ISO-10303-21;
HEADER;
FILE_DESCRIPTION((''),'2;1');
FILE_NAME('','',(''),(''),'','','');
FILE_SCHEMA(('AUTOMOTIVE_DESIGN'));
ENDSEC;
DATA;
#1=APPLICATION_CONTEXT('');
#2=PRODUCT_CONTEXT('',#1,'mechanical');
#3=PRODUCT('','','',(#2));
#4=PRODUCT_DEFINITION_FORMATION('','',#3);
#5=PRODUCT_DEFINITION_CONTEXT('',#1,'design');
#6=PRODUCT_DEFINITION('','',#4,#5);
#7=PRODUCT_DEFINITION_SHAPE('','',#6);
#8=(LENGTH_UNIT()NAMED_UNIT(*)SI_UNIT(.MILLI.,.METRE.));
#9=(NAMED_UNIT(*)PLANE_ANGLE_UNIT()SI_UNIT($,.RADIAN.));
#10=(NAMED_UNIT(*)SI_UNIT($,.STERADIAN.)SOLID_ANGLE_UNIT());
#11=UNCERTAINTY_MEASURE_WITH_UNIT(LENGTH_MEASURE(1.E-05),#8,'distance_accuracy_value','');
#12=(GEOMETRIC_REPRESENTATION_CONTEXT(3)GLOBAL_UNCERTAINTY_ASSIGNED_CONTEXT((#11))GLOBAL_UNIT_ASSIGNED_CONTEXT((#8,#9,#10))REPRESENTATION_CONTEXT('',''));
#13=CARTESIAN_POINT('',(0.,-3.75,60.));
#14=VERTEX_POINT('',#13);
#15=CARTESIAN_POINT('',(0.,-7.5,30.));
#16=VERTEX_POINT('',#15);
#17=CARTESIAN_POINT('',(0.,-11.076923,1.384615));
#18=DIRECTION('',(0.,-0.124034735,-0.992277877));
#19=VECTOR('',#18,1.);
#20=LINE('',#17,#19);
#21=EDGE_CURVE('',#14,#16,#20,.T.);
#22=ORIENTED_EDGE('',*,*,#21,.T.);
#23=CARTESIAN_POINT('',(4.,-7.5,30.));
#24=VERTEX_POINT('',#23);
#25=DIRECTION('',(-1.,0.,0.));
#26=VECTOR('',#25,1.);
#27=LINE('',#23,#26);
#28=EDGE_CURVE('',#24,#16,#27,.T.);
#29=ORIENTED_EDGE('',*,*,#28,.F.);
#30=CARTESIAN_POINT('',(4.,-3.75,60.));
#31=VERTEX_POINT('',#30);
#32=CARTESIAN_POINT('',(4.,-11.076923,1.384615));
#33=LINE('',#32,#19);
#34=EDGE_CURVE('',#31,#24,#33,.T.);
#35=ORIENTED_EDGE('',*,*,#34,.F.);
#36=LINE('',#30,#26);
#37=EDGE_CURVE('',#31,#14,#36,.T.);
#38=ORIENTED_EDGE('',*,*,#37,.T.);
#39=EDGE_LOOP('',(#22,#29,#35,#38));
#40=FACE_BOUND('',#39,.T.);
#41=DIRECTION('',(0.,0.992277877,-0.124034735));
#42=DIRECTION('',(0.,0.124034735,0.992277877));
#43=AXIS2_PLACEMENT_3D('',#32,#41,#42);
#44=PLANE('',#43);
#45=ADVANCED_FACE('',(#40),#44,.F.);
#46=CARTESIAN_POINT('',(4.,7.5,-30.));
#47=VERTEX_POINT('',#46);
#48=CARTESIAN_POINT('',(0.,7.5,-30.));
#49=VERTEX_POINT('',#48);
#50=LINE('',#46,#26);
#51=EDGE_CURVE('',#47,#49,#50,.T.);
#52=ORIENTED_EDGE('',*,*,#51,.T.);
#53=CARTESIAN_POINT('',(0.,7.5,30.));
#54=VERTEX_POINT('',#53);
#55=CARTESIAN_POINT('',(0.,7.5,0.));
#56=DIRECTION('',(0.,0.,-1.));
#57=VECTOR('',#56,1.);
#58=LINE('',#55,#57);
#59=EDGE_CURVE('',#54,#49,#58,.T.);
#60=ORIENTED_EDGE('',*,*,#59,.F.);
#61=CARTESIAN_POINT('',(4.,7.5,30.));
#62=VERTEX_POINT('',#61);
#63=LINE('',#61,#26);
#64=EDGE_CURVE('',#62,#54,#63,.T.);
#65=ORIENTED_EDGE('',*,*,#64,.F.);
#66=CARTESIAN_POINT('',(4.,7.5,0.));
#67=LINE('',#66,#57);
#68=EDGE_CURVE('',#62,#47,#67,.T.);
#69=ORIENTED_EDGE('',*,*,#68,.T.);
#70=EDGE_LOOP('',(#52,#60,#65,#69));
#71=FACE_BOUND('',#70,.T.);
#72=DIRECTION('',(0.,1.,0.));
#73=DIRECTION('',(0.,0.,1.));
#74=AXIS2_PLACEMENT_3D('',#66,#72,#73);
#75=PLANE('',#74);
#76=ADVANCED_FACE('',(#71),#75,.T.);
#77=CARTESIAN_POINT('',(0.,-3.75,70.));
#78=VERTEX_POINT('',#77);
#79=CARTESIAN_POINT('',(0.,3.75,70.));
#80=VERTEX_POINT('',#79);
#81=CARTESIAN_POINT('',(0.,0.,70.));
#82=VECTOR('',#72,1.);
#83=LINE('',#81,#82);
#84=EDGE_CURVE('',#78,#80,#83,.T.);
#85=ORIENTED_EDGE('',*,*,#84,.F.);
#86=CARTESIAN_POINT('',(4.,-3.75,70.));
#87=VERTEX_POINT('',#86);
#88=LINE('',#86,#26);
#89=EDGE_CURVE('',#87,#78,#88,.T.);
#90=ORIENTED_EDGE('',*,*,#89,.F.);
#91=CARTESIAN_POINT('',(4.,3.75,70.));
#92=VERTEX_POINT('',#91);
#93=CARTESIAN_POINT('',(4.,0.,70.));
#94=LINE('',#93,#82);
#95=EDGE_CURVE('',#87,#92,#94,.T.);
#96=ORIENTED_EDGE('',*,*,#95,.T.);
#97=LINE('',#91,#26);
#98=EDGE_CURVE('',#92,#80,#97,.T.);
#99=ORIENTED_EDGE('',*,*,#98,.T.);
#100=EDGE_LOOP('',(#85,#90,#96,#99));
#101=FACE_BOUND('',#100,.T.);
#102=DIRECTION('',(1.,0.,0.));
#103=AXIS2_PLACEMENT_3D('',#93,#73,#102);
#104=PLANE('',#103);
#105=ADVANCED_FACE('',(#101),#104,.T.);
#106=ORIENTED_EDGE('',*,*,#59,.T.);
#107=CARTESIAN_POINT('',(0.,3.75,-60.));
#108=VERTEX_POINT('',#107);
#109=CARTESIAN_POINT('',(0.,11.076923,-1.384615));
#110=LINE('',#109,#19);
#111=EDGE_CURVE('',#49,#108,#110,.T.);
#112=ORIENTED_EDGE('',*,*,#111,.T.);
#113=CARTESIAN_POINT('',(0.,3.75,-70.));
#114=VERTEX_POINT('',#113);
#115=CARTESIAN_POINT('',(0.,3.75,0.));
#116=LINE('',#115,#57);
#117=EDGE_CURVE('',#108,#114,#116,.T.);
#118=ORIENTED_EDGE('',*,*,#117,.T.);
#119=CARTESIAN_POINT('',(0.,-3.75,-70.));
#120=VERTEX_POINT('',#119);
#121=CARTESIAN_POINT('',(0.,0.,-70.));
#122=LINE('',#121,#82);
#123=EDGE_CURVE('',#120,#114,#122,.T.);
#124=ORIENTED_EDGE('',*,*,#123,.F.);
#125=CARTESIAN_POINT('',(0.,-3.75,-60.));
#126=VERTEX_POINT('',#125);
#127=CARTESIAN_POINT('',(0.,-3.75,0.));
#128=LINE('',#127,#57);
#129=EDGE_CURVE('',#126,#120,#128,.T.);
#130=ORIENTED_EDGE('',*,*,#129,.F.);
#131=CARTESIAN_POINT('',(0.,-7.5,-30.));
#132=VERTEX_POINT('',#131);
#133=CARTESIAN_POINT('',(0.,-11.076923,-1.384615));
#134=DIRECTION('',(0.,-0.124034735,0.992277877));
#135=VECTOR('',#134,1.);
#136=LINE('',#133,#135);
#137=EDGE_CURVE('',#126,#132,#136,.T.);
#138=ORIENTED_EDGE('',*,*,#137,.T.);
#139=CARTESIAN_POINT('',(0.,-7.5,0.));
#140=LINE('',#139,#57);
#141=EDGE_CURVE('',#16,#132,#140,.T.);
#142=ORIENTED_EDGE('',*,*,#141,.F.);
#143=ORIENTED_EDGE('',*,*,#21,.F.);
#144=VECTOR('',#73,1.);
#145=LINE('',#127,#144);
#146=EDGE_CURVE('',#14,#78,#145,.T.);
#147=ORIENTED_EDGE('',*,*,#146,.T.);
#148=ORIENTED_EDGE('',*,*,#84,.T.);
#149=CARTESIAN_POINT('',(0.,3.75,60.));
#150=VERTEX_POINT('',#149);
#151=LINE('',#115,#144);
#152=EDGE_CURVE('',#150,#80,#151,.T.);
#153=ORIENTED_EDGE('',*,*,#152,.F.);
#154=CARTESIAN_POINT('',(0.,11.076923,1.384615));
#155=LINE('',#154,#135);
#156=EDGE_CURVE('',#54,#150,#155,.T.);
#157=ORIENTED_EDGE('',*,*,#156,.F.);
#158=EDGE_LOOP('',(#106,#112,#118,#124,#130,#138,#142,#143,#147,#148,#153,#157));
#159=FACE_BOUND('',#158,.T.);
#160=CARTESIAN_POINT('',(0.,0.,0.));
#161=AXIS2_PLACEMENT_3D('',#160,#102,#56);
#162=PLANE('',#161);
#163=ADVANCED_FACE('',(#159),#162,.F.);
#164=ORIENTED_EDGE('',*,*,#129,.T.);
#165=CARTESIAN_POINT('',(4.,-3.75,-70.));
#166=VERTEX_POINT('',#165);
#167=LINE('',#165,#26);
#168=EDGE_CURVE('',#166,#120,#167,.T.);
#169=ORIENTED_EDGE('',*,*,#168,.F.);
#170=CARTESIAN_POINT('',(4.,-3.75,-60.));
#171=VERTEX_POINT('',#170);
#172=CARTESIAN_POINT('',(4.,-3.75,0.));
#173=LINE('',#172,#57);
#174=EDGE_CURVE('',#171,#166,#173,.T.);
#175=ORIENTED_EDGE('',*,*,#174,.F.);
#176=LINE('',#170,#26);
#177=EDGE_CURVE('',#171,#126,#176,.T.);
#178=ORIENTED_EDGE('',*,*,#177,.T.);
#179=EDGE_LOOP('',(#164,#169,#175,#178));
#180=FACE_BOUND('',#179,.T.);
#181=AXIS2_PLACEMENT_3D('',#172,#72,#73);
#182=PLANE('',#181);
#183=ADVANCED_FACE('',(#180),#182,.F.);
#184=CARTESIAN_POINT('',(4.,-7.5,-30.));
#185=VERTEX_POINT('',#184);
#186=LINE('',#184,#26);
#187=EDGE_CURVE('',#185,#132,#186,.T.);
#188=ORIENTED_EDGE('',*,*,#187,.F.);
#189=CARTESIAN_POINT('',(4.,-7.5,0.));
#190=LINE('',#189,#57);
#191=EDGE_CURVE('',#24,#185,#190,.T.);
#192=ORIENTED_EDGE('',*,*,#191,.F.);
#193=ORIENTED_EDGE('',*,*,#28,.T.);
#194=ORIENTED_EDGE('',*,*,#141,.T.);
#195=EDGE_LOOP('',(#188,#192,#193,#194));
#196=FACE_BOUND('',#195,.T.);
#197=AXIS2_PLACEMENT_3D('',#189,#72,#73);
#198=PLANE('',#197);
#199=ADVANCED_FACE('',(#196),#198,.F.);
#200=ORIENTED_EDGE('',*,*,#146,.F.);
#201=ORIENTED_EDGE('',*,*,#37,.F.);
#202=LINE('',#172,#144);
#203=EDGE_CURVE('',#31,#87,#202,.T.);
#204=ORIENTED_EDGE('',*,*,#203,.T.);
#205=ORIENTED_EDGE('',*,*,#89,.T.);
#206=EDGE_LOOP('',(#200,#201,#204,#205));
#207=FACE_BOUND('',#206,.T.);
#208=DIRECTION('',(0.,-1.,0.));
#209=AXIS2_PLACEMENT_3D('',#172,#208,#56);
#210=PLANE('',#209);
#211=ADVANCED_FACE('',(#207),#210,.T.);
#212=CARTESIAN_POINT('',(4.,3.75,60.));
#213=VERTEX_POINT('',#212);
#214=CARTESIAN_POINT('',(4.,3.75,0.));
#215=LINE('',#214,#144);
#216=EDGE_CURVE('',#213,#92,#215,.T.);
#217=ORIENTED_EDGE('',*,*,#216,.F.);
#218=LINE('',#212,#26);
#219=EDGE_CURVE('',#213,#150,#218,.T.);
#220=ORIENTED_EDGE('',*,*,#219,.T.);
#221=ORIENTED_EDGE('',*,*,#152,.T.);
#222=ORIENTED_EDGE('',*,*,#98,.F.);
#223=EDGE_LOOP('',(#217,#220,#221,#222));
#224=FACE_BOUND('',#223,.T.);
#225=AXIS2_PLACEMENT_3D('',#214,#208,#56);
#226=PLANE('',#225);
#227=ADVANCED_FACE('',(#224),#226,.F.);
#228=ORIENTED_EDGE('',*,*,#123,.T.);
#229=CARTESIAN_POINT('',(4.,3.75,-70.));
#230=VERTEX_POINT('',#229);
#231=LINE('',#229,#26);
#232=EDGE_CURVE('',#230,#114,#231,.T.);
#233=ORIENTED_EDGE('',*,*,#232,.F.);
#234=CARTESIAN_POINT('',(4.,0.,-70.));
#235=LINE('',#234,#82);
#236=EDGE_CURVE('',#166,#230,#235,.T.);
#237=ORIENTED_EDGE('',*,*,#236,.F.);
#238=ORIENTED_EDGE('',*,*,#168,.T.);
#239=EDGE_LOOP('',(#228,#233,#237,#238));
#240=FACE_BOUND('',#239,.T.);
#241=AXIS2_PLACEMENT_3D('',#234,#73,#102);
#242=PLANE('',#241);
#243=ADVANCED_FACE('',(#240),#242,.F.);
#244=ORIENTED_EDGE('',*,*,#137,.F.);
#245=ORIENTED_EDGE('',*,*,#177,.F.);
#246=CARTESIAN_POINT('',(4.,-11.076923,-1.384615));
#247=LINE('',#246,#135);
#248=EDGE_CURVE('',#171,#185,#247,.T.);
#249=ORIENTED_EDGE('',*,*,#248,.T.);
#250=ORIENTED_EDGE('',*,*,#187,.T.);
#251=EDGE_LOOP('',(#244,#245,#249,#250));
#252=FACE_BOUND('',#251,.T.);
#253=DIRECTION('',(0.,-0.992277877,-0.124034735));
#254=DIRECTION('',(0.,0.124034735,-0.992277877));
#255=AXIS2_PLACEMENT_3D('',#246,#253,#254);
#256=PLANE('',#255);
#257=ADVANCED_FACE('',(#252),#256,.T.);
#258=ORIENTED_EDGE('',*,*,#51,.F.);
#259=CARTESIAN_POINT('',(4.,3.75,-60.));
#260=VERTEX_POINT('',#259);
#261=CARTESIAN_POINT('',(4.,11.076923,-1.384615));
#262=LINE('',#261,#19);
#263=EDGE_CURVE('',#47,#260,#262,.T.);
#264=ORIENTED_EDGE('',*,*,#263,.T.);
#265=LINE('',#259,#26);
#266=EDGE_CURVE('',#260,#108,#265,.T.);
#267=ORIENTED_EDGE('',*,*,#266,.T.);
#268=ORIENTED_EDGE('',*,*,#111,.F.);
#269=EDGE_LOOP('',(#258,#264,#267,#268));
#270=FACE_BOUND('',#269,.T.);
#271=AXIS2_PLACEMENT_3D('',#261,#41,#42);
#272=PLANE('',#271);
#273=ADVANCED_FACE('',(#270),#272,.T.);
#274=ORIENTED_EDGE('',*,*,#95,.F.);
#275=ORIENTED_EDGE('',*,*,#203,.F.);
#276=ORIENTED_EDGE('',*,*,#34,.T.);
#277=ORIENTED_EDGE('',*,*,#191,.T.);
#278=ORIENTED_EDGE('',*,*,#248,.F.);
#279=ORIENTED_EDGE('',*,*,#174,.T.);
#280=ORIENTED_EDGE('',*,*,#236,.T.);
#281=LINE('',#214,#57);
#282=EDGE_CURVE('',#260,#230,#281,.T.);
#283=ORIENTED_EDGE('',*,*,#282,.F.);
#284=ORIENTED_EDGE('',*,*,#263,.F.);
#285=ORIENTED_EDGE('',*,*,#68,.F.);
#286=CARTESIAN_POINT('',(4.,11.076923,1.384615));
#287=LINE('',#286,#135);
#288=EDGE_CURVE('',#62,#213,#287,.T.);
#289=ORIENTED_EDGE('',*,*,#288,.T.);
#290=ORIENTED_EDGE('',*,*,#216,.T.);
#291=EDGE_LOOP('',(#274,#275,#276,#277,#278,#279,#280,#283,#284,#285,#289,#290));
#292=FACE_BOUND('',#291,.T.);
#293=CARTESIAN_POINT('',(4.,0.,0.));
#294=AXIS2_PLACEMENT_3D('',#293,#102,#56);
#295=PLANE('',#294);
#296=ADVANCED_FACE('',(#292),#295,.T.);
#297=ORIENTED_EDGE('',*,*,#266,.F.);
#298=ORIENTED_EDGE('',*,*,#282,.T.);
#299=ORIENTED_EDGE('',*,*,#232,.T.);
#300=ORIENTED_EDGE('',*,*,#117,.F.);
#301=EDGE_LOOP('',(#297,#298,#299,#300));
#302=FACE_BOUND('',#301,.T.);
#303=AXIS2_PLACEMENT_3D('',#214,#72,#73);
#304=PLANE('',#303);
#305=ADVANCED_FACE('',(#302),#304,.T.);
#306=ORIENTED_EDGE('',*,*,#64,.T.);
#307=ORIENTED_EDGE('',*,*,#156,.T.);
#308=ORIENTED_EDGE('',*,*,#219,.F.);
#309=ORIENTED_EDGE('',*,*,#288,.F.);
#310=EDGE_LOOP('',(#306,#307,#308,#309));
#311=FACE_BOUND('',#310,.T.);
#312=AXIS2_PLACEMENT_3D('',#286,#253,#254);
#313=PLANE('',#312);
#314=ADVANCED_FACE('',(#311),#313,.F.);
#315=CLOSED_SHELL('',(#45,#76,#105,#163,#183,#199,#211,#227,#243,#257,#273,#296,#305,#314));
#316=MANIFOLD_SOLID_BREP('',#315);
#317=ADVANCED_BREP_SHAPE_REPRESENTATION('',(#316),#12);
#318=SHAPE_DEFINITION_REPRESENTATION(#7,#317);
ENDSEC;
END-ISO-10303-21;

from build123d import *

# Parameters (mm, degrees)
SKETCH_1_W      = 60
SKETCH_1_H      = 15
SKETCH_1_W_2    = 10
SKETCH_1_H_2    = 7.5
EXTRUDE_1_DEPTH = 4


with BuildPart() as part:
    # Эскиз1 → Бобышка-Вытянуть1 (new body)
    with BuildSketch(Plane(origin=(0, 0, 0), x_dir=(0, 0, -1), z_dir=(1, 0, 0))):
        Rectangle(SKETCH_1_W, SKETCH_1_H)
        Polygon((-30, -7.5), (-30, 7.5), (-60, 3.75), (-60, -3.75), align=None)
        with Locations((-65, 0)):
            Rectangle(SKETCH_1_W_2, SKETCH_1_H_2)
        Polygon((60, -3.75), (30, -7.5), (30, 7.5), (60, 3.75), align=None)
        with Locations((65, 0)):
            Rectangle(SKETCH_1_W_2, SKETCH_1_H_2)
    extrude(amount=EXTRUDE_1_DEPTH)


solid = part.part
